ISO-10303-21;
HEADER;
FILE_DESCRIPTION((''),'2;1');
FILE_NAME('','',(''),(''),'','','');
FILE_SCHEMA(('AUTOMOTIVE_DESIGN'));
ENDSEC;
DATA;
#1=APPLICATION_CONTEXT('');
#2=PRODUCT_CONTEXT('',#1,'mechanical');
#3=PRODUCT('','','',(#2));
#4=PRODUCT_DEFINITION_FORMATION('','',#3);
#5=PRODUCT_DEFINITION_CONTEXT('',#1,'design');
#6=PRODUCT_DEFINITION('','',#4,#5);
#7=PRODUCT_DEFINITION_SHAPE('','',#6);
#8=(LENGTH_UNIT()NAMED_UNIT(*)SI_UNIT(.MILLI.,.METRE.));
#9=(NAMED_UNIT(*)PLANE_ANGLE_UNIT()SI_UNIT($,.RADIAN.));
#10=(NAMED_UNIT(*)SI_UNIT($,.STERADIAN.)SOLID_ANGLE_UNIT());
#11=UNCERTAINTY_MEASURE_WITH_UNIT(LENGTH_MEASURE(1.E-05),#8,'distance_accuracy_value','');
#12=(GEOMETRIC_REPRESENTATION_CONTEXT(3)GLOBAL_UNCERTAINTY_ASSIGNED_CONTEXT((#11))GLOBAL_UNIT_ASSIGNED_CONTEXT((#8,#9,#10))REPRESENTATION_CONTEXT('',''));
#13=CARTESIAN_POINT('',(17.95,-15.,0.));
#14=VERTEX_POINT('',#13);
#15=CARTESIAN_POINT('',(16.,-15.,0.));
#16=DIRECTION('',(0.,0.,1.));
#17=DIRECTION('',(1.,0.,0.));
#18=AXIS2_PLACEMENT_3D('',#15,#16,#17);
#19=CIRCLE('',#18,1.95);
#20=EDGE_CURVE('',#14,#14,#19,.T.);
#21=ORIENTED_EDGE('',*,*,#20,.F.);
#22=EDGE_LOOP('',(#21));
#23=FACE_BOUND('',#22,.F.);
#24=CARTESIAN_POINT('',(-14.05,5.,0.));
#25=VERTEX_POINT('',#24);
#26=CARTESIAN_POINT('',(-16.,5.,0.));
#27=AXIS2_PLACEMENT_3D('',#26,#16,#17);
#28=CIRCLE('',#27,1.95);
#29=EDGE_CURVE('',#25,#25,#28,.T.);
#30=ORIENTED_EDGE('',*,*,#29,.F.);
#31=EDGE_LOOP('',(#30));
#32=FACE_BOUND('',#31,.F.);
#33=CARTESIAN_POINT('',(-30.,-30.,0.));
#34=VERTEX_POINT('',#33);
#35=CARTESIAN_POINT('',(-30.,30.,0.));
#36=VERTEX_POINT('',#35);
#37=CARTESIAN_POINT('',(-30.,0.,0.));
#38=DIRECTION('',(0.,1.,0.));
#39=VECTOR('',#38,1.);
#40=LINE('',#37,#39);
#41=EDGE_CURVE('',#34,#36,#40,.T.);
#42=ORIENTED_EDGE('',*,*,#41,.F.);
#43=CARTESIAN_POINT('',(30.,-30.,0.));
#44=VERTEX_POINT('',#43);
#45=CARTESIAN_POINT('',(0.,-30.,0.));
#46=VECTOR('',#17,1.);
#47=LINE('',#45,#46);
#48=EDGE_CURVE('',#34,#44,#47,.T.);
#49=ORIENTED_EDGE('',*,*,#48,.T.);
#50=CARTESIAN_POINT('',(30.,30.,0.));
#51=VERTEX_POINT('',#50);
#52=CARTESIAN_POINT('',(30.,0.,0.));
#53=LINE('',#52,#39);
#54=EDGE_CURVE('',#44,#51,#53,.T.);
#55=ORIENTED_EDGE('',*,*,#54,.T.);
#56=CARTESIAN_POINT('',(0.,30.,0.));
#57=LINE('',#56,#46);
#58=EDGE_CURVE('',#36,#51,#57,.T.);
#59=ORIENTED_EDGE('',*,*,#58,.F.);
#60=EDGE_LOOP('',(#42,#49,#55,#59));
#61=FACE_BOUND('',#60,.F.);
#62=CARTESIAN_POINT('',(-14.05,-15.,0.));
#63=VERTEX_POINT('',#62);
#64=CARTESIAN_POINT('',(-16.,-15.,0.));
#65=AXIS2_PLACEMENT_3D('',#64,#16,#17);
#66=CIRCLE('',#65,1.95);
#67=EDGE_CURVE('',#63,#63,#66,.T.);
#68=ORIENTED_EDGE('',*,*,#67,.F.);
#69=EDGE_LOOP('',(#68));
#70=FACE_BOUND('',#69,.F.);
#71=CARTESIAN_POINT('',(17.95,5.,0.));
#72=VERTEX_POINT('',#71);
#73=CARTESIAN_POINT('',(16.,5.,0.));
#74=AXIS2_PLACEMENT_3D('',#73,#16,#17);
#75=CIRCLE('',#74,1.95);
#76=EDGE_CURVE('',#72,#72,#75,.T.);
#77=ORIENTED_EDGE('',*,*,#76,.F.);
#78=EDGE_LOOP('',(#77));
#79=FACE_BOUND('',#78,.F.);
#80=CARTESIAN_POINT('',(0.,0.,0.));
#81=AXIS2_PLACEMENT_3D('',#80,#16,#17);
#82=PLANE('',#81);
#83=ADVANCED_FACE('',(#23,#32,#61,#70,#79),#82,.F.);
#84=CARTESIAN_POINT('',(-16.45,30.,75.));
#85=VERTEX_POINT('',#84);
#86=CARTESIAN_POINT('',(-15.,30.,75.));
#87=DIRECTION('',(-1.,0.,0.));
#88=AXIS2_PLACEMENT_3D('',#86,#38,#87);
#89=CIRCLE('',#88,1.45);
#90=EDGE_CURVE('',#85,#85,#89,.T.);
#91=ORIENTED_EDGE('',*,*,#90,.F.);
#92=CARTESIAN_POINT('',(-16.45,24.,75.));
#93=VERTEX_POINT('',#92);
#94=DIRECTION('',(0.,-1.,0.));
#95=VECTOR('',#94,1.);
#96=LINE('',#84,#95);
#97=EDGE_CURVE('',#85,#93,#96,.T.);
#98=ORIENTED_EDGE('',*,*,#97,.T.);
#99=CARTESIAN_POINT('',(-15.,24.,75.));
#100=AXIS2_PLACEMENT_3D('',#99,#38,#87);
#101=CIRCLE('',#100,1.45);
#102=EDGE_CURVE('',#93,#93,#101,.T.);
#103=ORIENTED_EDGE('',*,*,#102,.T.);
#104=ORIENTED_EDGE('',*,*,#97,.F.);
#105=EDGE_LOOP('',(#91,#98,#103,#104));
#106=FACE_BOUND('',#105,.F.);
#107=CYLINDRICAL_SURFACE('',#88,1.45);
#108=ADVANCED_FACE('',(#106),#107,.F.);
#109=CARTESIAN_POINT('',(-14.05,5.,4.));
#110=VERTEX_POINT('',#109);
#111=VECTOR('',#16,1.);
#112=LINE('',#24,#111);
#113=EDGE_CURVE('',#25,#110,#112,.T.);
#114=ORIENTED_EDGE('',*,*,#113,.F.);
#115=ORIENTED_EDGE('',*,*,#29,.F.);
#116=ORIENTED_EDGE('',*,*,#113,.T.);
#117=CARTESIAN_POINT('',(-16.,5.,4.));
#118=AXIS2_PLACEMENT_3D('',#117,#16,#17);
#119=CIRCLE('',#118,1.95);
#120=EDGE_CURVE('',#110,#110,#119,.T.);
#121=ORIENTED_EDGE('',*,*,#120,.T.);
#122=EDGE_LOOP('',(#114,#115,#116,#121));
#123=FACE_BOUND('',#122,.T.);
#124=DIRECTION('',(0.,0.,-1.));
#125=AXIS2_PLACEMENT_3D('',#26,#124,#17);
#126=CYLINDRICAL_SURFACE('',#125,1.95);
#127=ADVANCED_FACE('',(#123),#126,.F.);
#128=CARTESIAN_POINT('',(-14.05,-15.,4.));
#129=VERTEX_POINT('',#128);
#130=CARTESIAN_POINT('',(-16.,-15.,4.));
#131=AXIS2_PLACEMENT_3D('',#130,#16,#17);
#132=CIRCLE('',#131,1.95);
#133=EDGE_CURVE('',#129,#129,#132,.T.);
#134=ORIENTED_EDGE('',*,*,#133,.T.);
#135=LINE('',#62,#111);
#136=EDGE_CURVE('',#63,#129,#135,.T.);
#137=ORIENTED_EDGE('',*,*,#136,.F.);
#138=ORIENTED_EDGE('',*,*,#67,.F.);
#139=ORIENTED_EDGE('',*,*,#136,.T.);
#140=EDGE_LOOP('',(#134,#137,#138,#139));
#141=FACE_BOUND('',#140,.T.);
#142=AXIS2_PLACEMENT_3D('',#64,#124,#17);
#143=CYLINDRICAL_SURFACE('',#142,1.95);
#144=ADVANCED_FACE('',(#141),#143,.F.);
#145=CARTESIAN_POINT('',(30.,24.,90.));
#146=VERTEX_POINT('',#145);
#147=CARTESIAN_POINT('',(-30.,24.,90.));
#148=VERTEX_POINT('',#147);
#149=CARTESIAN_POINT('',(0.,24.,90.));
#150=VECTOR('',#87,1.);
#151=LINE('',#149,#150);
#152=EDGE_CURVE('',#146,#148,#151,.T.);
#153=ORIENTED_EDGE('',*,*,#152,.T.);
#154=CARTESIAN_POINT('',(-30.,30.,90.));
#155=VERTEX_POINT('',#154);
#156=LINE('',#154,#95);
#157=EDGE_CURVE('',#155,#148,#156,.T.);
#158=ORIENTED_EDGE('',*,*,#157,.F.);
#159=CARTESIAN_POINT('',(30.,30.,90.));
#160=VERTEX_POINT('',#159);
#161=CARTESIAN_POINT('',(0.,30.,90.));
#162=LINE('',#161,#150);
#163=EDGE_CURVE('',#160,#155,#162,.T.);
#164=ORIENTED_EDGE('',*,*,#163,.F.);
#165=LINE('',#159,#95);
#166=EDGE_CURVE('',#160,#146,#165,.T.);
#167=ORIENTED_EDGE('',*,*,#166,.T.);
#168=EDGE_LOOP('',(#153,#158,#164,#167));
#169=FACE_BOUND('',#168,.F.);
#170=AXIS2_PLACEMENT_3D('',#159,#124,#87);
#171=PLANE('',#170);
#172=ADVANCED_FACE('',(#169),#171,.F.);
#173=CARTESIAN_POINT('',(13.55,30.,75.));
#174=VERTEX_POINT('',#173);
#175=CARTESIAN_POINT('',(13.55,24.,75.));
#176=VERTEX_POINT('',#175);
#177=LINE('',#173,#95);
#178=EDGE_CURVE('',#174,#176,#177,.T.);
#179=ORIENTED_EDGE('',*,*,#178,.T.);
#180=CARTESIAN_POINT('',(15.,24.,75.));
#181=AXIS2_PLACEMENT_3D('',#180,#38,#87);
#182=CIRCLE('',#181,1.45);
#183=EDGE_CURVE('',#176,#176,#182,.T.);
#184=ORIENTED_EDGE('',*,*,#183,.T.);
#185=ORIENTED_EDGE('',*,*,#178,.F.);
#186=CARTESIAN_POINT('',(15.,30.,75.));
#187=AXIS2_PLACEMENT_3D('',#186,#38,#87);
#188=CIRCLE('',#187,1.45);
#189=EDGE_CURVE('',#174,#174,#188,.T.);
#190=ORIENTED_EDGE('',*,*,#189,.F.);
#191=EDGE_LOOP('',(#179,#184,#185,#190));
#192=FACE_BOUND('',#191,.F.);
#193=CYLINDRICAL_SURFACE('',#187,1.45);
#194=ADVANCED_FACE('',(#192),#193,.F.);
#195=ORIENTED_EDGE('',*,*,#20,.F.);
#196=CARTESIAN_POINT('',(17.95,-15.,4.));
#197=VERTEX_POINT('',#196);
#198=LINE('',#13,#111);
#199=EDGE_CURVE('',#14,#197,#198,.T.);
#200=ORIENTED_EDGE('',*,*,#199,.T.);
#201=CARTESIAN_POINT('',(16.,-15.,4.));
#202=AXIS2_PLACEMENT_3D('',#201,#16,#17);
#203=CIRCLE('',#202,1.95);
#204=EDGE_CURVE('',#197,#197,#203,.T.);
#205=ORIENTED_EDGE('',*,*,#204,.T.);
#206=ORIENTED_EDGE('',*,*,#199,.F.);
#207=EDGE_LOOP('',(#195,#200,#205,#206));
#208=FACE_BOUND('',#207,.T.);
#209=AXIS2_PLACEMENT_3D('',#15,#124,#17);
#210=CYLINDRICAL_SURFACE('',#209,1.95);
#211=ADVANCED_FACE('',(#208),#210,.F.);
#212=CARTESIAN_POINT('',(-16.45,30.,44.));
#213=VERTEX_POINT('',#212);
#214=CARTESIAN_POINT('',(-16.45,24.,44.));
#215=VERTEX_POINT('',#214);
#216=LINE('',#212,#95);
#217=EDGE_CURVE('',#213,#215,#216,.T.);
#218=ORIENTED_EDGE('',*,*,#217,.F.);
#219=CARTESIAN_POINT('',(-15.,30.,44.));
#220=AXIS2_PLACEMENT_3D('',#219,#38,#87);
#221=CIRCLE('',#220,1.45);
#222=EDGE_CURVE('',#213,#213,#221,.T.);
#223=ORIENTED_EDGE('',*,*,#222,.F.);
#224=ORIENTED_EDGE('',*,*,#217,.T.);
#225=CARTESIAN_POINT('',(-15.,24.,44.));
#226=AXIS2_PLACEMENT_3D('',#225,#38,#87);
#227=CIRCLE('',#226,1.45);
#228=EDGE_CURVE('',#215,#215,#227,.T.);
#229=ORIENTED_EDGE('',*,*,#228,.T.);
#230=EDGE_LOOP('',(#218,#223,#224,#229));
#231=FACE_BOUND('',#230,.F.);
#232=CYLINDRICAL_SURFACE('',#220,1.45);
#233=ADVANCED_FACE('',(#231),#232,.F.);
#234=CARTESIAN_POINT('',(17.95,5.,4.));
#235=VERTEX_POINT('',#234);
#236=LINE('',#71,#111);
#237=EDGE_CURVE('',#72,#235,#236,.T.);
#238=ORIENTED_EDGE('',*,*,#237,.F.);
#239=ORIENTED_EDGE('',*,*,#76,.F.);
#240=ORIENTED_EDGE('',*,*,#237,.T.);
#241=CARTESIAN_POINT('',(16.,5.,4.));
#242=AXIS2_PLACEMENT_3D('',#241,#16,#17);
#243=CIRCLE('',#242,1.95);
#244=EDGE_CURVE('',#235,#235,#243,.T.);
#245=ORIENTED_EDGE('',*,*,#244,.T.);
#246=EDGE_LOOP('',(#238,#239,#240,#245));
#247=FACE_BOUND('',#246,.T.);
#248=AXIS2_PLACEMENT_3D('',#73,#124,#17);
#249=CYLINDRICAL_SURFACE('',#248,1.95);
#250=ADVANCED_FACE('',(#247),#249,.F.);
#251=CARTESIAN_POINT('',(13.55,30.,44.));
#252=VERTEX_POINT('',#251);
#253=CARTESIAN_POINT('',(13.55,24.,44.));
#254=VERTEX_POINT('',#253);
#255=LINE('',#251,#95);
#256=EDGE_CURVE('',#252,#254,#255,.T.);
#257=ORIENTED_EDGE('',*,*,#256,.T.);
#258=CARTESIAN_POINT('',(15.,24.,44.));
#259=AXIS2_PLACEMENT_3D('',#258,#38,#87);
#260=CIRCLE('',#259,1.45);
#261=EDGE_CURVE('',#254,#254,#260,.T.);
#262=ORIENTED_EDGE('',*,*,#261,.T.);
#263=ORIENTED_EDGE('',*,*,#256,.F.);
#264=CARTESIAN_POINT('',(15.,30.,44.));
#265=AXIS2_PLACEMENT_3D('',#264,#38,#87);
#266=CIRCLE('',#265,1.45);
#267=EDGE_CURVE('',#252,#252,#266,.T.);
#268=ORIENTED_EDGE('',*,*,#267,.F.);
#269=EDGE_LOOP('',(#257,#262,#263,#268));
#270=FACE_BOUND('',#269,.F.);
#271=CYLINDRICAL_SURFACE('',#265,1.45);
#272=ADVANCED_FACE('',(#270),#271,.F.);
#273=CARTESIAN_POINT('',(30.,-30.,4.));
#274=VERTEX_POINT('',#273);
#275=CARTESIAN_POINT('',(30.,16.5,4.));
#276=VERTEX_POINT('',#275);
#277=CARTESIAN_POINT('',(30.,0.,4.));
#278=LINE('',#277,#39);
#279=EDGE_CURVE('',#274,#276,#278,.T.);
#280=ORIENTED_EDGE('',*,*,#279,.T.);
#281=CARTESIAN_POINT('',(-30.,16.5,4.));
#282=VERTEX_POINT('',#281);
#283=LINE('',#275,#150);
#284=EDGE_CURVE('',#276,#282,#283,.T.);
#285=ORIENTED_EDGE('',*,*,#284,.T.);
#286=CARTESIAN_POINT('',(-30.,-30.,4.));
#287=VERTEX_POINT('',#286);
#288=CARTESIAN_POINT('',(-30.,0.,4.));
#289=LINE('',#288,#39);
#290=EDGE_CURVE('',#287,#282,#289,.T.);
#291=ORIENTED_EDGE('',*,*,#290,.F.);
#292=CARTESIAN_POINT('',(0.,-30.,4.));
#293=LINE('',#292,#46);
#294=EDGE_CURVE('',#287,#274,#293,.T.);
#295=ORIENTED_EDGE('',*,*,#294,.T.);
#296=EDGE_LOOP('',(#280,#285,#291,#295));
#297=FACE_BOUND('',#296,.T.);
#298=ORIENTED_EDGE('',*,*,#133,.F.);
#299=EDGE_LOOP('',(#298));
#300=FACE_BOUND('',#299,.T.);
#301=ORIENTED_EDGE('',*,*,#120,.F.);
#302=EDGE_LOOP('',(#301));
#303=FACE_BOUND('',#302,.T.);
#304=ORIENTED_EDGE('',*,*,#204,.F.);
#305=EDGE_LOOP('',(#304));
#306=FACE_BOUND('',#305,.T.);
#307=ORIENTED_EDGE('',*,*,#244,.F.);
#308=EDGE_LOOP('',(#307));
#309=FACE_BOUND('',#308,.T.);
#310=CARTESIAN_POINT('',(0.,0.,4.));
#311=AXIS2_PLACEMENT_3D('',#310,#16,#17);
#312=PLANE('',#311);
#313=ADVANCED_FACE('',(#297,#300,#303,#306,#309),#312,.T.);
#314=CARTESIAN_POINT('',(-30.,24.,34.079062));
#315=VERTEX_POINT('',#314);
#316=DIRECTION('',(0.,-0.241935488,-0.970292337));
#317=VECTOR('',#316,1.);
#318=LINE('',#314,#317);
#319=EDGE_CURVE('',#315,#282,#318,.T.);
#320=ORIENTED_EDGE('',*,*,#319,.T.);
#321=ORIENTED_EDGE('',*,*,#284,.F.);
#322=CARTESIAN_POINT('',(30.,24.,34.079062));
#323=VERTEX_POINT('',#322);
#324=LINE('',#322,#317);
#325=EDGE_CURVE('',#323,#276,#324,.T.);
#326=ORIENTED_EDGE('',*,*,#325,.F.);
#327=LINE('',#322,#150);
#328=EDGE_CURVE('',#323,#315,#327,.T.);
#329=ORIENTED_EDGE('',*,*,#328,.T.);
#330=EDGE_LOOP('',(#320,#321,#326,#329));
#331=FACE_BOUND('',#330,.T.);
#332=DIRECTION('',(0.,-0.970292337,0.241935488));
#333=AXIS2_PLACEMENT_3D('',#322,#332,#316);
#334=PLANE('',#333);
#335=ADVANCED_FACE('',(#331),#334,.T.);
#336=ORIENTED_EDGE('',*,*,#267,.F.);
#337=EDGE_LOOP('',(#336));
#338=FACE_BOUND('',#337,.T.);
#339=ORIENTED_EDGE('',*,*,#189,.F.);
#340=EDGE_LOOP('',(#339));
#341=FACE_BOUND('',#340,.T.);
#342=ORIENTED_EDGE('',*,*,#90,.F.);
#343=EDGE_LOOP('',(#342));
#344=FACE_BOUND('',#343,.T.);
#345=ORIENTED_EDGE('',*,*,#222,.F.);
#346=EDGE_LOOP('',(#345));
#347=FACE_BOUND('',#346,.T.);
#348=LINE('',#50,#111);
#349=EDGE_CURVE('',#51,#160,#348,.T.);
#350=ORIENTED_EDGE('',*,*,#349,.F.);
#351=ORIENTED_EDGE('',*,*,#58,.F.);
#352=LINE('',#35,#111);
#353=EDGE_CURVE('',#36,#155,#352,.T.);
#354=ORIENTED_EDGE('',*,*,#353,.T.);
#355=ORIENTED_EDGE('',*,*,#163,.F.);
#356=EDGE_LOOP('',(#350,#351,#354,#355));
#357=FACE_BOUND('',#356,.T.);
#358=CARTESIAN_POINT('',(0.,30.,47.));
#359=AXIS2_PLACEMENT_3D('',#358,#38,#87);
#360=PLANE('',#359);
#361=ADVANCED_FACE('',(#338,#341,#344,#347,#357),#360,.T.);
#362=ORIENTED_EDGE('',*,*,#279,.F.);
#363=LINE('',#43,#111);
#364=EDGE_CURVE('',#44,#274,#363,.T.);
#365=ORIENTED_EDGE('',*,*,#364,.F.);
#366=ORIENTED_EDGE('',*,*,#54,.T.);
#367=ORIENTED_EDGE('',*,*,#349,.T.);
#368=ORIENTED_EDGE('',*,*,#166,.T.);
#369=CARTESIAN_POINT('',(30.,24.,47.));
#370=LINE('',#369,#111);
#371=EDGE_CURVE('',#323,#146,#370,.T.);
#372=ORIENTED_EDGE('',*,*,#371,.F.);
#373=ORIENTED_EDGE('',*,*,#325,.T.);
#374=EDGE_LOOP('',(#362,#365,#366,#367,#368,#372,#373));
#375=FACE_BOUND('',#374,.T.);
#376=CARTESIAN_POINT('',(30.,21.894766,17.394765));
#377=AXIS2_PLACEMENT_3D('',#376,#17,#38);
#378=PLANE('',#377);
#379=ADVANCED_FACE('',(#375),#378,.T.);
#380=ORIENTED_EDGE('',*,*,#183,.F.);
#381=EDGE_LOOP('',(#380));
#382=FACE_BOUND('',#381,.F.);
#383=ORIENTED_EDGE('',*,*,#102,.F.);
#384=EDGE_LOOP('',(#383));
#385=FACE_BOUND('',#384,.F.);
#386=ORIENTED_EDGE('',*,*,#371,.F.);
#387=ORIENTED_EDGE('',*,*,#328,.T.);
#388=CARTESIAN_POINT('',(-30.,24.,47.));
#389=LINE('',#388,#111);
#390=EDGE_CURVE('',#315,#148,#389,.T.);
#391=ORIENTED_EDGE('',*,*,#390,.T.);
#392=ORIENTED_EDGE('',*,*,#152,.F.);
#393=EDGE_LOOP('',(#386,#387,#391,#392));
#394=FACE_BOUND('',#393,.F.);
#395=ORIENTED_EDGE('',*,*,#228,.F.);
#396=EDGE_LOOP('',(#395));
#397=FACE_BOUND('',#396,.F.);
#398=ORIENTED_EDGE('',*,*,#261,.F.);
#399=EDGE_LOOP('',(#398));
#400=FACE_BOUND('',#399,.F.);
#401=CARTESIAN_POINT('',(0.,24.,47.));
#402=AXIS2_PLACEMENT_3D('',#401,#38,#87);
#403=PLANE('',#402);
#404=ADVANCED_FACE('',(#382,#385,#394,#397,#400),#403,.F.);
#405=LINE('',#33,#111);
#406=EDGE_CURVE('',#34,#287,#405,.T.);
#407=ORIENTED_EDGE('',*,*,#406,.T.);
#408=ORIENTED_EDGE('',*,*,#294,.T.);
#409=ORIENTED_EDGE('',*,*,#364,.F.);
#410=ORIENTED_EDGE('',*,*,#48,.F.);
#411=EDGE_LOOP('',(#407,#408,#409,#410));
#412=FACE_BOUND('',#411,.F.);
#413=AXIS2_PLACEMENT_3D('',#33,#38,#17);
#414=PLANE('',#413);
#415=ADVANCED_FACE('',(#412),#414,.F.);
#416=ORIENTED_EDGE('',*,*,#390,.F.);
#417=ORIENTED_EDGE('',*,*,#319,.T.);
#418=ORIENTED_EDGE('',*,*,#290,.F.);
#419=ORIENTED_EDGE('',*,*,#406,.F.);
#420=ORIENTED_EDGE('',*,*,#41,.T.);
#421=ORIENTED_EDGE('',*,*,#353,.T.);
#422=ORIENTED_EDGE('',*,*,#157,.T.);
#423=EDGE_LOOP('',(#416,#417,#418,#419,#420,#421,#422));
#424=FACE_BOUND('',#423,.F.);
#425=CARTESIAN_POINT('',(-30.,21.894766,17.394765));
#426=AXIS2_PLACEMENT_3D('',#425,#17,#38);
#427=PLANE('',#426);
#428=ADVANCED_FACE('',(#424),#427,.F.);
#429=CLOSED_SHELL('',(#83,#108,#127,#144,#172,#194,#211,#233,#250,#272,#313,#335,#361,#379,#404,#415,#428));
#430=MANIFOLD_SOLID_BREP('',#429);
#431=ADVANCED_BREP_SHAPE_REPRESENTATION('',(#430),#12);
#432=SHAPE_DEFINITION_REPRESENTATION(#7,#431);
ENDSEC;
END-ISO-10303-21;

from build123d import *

# Parameters (mm, degrees)
F0_W     = 60
F0_H     = 60
F0_R     = 1.95
F1_DEPTH = 4
F2_W     = 60
F2_H     = 86
F2_R     = 1.45
F3_DEPTH = 6
F5_DEPTH = 60


with BuildPart() as f1:
    # F0 (on Top) → F1 (new body)
    with BuildSketch(Plane.XY):
        Rectangle(F0_W, F0_H)
        with Locations((-16, -15)):
            Circle(F0_R, mode=Mode.SUBTRACT)
        with Locations((16, -15)):
            Circle(F0_R, mode=Mode.SUBTRACT)
        with Locations((-16, 5)):
            Circle(F0_R, mode=Mode.SUBTRACT)
        with Locations((16, 5)):
            Circle(F0_R, mode=Mode.SUBTRACT)
    extrude(amount=F1_DEPTH)

    # F2 (on face) → F3 (join)
    with BuildSketch(Plane(origin=(0, 30, 0), x_dir=(-1, 0, 0), z_dir=(0, 1, 0))):
        with Locations((0, 47)):
            Rectangle(F2_W, F2_H)
        with Locations((-15, 44)):
            Circle(F2_R, mode=Mode.SUBTRACT)
        with Locations((15, 44)):
            Circle(F2_R, mode=Mode.SUBTRACT)
        with Locations((-15, 75)):
            Circle(F2_R, mode=Mode.SUBTRACT)
        with Locations((15, 75)):
            Circle(F2_R, mode=Mode.SUBTRACT)
    extrude(amount=-F3_DEPTH)

    # F4 (on face) → F5 (join)
    with BuildSketch(Plane.YZ.offset(30)):
        Polygon((24, 34.079062), (16.5, 4), (24, 4), align=None)
    extrude(amount=-F5_DEPTH)


solid = f1.part
